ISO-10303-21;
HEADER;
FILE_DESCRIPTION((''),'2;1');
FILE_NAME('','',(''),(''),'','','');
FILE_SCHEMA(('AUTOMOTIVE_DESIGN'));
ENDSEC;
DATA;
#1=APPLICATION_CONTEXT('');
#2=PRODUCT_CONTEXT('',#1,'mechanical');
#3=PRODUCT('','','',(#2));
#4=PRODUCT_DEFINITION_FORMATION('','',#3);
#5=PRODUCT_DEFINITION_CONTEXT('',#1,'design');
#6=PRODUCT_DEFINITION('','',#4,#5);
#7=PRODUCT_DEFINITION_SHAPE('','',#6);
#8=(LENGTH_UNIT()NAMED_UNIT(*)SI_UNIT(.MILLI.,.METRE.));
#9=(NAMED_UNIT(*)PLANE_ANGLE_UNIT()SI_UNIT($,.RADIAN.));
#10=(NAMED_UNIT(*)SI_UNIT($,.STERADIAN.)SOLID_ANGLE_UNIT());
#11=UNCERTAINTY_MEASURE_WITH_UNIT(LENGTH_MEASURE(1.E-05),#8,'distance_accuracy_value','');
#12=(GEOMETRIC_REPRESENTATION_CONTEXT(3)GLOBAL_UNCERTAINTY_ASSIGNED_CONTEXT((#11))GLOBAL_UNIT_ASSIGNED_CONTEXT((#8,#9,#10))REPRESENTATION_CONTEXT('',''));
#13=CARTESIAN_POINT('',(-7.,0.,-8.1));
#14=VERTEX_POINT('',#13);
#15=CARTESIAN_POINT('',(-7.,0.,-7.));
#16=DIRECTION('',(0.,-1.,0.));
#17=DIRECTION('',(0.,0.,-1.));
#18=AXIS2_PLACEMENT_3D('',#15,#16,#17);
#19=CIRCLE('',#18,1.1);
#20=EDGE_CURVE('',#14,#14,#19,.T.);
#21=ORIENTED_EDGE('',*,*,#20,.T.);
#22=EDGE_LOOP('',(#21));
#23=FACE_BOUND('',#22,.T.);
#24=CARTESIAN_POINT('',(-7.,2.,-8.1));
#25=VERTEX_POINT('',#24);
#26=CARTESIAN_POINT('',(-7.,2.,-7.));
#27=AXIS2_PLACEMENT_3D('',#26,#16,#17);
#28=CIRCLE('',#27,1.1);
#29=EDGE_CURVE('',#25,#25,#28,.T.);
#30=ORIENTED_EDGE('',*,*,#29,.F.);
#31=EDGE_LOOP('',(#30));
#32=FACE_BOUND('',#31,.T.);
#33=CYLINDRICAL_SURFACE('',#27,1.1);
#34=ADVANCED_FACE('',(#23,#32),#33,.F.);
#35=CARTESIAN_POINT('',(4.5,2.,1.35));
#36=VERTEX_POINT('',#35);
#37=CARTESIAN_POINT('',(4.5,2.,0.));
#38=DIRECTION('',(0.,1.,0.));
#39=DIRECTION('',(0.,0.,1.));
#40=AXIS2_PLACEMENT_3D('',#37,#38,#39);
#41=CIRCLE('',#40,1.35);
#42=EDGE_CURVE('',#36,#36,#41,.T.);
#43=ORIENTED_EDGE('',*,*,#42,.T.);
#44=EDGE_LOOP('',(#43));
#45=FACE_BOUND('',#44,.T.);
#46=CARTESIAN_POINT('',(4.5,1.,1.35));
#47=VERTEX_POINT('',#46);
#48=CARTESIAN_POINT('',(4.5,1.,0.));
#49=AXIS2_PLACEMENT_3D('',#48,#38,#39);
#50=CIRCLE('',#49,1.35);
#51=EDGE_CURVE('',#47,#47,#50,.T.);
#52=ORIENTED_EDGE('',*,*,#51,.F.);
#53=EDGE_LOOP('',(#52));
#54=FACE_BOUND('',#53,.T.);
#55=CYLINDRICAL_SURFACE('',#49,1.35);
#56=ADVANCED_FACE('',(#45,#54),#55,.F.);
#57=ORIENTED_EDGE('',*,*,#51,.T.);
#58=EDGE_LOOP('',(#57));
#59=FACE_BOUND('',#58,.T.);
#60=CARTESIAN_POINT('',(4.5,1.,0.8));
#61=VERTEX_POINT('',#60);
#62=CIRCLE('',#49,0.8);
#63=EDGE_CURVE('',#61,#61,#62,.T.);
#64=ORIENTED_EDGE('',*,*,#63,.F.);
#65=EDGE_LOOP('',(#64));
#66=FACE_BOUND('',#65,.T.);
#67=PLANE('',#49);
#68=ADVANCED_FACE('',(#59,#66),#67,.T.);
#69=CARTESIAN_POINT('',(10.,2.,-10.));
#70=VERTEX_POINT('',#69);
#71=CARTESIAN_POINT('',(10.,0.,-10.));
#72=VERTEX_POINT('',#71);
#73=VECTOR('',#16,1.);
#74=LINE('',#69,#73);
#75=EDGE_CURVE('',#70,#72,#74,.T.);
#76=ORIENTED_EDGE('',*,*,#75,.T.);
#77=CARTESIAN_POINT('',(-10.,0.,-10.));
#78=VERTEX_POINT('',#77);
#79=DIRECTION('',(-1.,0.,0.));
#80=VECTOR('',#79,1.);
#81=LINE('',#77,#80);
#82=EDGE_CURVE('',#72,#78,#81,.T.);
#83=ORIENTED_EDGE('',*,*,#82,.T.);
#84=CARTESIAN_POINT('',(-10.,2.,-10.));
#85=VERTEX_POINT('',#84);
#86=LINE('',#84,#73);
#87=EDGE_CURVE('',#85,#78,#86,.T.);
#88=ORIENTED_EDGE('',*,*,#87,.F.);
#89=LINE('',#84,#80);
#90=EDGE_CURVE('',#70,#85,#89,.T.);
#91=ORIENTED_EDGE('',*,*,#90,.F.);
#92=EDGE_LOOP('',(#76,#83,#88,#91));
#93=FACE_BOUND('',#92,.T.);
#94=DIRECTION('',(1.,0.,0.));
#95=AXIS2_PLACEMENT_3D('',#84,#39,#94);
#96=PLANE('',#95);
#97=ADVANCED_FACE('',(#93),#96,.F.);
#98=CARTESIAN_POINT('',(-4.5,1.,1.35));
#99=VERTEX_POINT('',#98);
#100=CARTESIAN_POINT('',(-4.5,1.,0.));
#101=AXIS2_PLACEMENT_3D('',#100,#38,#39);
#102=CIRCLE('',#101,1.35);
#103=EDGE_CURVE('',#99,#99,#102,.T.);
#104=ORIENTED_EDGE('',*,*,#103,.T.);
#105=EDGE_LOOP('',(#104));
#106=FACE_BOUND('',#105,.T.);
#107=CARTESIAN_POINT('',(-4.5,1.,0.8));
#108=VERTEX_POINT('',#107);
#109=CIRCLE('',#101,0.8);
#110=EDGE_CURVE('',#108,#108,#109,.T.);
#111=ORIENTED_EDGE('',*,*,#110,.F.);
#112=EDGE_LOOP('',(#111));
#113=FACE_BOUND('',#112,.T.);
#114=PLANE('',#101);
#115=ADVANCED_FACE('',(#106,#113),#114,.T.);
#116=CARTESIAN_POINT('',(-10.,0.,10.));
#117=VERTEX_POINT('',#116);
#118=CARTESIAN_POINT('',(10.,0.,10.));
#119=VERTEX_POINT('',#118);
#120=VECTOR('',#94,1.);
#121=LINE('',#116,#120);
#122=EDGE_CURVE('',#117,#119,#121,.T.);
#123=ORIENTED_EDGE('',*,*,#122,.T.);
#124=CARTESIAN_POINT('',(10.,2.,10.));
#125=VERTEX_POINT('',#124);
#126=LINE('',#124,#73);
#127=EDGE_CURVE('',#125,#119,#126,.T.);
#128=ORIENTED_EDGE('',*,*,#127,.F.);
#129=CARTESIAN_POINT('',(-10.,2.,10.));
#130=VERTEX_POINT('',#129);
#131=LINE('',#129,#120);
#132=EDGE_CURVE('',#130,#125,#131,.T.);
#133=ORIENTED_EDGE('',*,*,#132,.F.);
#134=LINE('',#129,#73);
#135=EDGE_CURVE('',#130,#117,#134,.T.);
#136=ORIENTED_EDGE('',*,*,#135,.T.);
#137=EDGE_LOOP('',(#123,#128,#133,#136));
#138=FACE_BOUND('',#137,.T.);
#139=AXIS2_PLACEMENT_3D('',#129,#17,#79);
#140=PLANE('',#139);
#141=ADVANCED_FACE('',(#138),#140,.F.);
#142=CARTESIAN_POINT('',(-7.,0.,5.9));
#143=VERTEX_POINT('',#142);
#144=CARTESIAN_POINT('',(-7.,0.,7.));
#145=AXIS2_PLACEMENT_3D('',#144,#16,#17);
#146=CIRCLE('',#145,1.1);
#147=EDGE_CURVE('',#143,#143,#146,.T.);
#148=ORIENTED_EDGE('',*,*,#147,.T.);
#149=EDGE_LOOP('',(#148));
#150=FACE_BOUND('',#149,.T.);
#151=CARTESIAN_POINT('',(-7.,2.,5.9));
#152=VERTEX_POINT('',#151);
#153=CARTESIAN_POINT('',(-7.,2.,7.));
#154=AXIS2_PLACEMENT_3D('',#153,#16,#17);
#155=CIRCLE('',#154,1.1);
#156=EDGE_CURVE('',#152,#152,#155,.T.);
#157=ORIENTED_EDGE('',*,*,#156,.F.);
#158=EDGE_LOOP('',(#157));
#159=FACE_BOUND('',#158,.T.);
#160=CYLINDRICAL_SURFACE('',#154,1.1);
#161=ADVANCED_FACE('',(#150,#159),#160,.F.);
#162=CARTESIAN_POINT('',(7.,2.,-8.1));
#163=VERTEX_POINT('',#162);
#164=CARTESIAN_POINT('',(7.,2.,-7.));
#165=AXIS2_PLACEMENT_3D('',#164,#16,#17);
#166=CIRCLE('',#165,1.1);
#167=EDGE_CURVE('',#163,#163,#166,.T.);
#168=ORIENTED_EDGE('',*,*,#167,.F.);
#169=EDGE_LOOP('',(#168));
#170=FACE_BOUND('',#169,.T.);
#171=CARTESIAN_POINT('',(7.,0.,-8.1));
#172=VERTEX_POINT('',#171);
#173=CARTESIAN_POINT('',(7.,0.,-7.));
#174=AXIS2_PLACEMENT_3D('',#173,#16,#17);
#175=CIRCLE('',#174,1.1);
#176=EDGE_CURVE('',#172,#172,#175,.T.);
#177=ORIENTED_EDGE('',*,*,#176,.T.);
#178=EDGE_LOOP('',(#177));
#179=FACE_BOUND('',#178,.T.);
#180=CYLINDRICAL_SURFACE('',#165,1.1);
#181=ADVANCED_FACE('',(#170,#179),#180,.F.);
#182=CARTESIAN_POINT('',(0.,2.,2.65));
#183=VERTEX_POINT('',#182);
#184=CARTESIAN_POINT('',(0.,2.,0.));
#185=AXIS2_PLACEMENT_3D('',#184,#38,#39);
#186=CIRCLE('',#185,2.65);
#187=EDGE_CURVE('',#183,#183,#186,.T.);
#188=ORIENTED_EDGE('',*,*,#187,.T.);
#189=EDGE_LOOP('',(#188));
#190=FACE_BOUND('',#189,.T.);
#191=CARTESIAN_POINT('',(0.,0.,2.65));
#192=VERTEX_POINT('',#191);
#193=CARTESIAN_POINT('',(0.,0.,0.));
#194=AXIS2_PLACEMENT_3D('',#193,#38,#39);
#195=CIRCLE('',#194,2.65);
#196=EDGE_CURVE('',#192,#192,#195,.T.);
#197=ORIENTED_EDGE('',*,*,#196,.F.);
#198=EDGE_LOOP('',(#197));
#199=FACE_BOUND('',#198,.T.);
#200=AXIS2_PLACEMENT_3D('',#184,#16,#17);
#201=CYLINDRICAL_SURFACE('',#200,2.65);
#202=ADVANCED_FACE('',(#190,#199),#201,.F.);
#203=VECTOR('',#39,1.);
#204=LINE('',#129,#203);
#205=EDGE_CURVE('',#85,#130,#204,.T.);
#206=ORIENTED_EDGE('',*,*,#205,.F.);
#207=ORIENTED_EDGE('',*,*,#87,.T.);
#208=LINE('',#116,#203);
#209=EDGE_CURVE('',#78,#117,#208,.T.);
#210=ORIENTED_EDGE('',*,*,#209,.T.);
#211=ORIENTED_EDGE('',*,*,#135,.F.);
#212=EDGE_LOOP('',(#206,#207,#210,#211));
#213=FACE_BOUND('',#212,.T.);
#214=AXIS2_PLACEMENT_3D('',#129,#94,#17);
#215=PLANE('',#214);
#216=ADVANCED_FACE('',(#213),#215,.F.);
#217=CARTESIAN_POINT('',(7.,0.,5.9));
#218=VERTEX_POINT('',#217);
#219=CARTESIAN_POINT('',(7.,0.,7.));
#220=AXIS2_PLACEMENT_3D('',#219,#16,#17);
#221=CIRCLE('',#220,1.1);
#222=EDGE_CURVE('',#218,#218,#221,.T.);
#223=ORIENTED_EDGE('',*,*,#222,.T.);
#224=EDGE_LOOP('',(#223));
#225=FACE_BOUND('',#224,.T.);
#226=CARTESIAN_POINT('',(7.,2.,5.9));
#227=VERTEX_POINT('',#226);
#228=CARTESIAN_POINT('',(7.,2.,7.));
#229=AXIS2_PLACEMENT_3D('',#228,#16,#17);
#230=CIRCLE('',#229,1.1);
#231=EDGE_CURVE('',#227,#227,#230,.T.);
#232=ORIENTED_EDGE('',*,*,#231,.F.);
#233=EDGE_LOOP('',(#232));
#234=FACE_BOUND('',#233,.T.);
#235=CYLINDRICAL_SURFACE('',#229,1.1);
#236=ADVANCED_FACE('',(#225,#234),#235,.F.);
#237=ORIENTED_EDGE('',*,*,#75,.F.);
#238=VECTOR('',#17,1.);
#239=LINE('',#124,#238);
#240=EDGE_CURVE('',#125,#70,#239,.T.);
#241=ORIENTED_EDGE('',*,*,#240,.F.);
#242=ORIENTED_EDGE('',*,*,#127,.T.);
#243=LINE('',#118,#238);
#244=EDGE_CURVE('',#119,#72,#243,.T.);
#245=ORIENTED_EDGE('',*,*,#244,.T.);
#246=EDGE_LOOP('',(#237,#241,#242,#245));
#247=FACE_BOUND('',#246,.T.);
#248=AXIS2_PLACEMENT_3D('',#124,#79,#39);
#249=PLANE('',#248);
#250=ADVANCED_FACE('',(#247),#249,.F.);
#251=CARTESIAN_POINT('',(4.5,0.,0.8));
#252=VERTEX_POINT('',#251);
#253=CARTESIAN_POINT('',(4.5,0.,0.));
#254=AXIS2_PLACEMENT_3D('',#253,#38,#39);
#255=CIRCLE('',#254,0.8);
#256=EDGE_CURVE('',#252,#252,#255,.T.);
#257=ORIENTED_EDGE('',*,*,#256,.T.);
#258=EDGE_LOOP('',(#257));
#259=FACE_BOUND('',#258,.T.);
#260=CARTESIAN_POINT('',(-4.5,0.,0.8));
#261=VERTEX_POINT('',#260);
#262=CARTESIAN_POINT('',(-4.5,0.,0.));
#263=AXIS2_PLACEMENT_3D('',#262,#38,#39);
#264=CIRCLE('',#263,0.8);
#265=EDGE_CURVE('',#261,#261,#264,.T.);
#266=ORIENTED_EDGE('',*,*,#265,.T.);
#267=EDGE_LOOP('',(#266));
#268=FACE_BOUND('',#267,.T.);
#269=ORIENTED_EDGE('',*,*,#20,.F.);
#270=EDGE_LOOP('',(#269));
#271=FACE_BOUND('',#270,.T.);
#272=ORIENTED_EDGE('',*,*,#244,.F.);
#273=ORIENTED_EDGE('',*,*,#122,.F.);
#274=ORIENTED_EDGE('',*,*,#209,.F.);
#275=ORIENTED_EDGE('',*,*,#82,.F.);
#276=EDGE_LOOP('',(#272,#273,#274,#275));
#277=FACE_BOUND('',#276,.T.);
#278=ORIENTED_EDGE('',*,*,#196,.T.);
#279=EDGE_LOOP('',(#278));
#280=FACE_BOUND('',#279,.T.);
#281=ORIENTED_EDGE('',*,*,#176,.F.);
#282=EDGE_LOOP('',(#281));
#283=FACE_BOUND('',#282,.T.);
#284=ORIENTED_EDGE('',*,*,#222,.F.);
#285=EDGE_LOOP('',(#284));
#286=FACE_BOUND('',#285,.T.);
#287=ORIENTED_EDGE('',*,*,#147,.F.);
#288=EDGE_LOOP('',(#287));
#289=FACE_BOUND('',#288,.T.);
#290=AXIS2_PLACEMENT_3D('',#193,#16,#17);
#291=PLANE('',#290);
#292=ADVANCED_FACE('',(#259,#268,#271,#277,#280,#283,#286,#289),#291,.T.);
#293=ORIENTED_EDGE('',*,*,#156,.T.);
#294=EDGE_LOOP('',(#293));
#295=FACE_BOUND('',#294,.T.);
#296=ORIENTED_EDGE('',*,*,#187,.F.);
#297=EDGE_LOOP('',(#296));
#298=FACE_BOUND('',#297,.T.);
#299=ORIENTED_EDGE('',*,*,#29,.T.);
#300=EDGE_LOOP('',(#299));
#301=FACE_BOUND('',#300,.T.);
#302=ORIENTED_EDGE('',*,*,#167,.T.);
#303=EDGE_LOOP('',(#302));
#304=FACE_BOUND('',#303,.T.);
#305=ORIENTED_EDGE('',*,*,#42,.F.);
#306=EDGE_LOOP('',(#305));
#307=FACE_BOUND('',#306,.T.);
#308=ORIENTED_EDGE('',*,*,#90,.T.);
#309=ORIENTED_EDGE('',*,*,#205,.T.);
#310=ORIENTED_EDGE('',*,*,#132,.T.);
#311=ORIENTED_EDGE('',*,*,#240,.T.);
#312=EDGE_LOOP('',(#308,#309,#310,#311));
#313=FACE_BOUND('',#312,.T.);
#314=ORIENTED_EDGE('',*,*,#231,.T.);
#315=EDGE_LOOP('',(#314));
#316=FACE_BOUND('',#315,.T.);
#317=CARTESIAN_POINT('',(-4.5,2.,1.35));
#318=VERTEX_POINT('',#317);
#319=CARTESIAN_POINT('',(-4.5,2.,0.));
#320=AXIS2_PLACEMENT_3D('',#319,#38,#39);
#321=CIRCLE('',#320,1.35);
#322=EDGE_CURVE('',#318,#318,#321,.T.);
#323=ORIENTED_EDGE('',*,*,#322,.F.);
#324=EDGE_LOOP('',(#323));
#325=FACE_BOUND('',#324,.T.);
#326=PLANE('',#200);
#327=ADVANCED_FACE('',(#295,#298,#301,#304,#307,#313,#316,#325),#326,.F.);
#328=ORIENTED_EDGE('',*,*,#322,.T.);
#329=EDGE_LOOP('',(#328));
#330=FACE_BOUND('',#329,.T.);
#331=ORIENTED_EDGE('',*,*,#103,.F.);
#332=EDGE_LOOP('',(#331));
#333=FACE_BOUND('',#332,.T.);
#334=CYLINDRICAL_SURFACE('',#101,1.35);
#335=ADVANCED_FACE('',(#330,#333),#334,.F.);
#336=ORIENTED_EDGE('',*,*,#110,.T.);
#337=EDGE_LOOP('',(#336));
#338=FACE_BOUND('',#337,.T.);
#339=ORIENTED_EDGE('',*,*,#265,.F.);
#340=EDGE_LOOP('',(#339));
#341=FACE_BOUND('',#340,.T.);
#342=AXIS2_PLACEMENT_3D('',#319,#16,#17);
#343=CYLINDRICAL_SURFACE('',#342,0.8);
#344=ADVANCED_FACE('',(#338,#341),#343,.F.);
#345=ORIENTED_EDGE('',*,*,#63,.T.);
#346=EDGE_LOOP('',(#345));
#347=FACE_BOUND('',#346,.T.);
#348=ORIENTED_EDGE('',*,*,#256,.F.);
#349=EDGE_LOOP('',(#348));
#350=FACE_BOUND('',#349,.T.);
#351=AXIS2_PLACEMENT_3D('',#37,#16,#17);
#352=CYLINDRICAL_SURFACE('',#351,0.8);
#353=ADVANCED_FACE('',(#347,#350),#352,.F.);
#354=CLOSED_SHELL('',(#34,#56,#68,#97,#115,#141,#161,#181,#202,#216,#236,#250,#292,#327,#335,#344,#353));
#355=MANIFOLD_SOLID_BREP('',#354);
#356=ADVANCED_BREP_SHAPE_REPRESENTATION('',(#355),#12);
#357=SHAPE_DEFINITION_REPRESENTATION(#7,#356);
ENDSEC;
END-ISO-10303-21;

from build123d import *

# Parameters (mm, degrees)
SKETCH_1_W          = 20
SKETCH_1_H          = 20
SKETCH_1_R          = 0.8
SKETCH_1_R_2        = 2.65
EXTRUDE_1_DEPTH     = 2
SKETCH_2_R          = 1.35
CUT_EXTRUDE_1_DEPTH = 1
SKETCH_3_R          = 1.1
CUT_EXTRUDE_2_DEPTH = 15.282856857


with BuildPart() as part:
    # 草图1 → 凸台-拉伸1 (new body)
    with BuildSketch(Plane(origin=(0, 0, 0), x_dir=(1, 0, 0), z_dir=(0, 1, 0))):
        Rectangle(SKETCH_1_W, SKETCH_1_H)
        with Locations(Location((-4.5, 0, 0), (0, 0, 270))):
            Circle(SKETCH_1_R, mode=Mode.SUBTRACT)
        with Locations(Location((4.5, 0, 0), (0, 0, 270))):
            Circle(SKETCH_1_R, mode=Mode.SUBTRACT)
        with Locations(Location((0, 0, 0), (0, 0, 270))):
            Circle(SKETCH_1_R_2, mode=Mode.SUBTRACT)
    extrude(amount=EXTRUDE_1_DEPTH)

    # 草图2 → 切除-拉伸1 (cut)
    with BuildSketch(Plane(origin=(0, 2, 0), x_dir=(1, 0, 0), z_dir=(0, 1, 0))):
        with Locations(Location((-4.5, 0, 0), (0, 0, 270))):
            Circle(SKETCH_2_R)
        with Locations(Location((4.5, 0, 0), (0, 0, 270))):
            Circle(SKETCH_2_R)
    extrude(amount=-CUT_EXTRUDE_1_DEPTH, mode=Mode.SUBTRACT)

    # 草图3 → 切除-拉伸2 (cut, through all)
    with BuildSketch(Plane.XZ):
        with Locations(Location((-7, 7, 0), (0, 0, 270))):
            Circle(SKETCH_3_R)
        with Locations(Location((7, 7, 0), (0, 0, 270))):
            Circle(SKETCH_3_R)
        with Locations(Location((7, -7, 0), (0, 0, 270))):
            Circle(SKETCH_3_R)
        with Locations(Location((-7, -7, 0), (0, 0, 270))):
            Circle(SKETCH_3_R)
    extrude(amount=-CUT_EXTRUDE_2_DEPTH, mode=Mode.SUBTRACT)


solid = part.part
